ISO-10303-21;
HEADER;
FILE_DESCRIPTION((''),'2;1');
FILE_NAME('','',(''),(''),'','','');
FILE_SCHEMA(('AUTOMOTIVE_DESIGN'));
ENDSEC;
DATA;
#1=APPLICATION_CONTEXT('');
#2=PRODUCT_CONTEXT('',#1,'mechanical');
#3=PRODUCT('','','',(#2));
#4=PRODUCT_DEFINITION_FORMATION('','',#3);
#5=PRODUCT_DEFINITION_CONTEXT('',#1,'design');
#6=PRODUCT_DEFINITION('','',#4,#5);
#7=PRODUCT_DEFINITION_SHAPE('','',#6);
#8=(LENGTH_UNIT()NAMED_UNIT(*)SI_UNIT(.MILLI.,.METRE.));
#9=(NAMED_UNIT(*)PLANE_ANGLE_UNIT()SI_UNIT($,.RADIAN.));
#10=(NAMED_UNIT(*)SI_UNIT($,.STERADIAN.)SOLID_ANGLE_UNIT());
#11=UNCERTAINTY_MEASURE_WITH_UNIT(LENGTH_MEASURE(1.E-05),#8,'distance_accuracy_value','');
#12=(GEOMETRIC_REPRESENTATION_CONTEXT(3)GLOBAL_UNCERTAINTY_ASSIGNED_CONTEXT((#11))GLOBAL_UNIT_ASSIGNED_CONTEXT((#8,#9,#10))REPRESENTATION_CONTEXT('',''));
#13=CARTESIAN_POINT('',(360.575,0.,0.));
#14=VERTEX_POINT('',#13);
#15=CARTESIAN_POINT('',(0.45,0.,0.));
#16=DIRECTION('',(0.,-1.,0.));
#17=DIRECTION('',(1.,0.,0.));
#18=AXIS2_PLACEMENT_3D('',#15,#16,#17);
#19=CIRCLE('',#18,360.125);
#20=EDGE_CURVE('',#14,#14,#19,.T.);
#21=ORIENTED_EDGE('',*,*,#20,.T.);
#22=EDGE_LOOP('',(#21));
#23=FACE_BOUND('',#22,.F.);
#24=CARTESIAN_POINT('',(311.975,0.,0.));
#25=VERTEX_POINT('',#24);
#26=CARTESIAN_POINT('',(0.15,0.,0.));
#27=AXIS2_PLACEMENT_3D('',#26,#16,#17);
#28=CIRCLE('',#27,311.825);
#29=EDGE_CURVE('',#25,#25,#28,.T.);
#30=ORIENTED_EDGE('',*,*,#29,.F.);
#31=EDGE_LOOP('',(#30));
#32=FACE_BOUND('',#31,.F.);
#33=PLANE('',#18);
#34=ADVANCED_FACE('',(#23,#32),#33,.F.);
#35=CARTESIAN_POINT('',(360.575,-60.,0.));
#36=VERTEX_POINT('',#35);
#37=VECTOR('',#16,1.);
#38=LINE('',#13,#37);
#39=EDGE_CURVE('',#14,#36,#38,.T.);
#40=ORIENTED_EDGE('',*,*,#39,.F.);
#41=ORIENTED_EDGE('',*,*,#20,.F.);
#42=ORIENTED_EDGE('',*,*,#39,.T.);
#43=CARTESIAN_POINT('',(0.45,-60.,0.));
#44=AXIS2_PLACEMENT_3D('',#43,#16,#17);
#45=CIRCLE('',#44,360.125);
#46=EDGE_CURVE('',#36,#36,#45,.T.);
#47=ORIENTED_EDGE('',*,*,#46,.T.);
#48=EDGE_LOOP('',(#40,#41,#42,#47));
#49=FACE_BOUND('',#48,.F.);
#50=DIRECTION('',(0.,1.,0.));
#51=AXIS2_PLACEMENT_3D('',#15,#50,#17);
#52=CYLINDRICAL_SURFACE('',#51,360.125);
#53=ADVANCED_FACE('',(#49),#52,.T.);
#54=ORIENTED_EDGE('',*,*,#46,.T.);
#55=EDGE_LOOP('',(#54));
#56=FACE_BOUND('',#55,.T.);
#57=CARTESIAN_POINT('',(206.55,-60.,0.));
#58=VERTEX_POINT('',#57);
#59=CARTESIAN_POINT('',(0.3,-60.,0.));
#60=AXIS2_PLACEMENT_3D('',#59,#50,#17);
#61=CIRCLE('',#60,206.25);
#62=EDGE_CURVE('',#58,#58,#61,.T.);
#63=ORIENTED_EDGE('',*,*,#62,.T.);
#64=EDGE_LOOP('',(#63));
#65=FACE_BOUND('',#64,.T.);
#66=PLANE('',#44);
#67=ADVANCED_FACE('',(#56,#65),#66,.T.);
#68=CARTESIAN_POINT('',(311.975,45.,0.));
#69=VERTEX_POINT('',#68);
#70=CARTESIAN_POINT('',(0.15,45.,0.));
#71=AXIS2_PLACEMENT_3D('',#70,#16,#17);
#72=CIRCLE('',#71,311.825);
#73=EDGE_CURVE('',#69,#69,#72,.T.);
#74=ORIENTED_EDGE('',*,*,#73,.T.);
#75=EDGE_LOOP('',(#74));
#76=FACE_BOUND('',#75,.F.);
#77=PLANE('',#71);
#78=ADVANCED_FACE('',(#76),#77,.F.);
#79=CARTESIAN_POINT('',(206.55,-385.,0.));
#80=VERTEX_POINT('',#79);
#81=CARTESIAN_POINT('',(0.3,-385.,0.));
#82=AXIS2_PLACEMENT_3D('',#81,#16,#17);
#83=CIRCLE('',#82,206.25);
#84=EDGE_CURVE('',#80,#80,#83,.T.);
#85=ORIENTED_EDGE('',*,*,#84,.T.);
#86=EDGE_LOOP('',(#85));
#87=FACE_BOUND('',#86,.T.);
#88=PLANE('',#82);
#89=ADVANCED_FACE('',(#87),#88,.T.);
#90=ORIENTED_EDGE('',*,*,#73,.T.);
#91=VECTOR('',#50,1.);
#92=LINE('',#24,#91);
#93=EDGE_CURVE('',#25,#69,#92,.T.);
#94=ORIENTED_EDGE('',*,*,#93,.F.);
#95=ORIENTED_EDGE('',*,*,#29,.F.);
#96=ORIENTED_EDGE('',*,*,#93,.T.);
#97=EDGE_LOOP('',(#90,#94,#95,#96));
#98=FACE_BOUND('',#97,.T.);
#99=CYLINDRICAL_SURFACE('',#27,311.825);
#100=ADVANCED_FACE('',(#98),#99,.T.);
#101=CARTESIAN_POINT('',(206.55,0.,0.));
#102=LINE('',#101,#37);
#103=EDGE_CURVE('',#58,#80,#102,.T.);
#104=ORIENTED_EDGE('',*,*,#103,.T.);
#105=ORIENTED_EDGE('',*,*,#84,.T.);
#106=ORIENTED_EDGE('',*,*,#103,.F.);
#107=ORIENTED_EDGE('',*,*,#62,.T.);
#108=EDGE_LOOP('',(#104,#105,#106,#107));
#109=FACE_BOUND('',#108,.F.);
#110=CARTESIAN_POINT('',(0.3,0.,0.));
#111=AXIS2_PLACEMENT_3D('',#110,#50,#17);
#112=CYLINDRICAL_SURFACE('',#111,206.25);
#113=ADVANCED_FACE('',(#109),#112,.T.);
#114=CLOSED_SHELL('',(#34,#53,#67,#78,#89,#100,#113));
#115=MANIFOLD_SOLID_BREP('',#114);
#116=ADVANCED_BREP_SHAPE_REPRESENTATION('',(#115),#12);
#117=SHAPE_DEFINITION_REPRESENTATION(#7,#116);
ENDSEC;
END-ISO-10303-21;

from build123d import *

# Parameters (mm, degrees)
F3_R     = 311.825
F4_DEPTH = 45
F5_R     = 206.25
F6_DEPTH = 385
F7_R     = 360.125
F8_DEPTH = 60


with BuildPart() as f4:
    # F3 (on Front) → F4 (new body)
    with BuildSketch(Plane.XZ):
        with Locations((0.15, 0)):
            Circle(F3_R)
    extrude(amount=-F4_DEPTH)

    # F5 (on face) → F6 (join)
    with BuildSketch(Plane.XZ):
        with Locations((0.3, 0)):
            Circle(F5_R)
    extrude(amount=F6_DEPTH)

    # F7 (on face) → F8 (join)
    with BuildSketch(Plane.XZ):
        with Locations((0.45, 0)):
            Circle(F7_R)
    extrude(amount=F8_DEPTH)


solid = f4.part
